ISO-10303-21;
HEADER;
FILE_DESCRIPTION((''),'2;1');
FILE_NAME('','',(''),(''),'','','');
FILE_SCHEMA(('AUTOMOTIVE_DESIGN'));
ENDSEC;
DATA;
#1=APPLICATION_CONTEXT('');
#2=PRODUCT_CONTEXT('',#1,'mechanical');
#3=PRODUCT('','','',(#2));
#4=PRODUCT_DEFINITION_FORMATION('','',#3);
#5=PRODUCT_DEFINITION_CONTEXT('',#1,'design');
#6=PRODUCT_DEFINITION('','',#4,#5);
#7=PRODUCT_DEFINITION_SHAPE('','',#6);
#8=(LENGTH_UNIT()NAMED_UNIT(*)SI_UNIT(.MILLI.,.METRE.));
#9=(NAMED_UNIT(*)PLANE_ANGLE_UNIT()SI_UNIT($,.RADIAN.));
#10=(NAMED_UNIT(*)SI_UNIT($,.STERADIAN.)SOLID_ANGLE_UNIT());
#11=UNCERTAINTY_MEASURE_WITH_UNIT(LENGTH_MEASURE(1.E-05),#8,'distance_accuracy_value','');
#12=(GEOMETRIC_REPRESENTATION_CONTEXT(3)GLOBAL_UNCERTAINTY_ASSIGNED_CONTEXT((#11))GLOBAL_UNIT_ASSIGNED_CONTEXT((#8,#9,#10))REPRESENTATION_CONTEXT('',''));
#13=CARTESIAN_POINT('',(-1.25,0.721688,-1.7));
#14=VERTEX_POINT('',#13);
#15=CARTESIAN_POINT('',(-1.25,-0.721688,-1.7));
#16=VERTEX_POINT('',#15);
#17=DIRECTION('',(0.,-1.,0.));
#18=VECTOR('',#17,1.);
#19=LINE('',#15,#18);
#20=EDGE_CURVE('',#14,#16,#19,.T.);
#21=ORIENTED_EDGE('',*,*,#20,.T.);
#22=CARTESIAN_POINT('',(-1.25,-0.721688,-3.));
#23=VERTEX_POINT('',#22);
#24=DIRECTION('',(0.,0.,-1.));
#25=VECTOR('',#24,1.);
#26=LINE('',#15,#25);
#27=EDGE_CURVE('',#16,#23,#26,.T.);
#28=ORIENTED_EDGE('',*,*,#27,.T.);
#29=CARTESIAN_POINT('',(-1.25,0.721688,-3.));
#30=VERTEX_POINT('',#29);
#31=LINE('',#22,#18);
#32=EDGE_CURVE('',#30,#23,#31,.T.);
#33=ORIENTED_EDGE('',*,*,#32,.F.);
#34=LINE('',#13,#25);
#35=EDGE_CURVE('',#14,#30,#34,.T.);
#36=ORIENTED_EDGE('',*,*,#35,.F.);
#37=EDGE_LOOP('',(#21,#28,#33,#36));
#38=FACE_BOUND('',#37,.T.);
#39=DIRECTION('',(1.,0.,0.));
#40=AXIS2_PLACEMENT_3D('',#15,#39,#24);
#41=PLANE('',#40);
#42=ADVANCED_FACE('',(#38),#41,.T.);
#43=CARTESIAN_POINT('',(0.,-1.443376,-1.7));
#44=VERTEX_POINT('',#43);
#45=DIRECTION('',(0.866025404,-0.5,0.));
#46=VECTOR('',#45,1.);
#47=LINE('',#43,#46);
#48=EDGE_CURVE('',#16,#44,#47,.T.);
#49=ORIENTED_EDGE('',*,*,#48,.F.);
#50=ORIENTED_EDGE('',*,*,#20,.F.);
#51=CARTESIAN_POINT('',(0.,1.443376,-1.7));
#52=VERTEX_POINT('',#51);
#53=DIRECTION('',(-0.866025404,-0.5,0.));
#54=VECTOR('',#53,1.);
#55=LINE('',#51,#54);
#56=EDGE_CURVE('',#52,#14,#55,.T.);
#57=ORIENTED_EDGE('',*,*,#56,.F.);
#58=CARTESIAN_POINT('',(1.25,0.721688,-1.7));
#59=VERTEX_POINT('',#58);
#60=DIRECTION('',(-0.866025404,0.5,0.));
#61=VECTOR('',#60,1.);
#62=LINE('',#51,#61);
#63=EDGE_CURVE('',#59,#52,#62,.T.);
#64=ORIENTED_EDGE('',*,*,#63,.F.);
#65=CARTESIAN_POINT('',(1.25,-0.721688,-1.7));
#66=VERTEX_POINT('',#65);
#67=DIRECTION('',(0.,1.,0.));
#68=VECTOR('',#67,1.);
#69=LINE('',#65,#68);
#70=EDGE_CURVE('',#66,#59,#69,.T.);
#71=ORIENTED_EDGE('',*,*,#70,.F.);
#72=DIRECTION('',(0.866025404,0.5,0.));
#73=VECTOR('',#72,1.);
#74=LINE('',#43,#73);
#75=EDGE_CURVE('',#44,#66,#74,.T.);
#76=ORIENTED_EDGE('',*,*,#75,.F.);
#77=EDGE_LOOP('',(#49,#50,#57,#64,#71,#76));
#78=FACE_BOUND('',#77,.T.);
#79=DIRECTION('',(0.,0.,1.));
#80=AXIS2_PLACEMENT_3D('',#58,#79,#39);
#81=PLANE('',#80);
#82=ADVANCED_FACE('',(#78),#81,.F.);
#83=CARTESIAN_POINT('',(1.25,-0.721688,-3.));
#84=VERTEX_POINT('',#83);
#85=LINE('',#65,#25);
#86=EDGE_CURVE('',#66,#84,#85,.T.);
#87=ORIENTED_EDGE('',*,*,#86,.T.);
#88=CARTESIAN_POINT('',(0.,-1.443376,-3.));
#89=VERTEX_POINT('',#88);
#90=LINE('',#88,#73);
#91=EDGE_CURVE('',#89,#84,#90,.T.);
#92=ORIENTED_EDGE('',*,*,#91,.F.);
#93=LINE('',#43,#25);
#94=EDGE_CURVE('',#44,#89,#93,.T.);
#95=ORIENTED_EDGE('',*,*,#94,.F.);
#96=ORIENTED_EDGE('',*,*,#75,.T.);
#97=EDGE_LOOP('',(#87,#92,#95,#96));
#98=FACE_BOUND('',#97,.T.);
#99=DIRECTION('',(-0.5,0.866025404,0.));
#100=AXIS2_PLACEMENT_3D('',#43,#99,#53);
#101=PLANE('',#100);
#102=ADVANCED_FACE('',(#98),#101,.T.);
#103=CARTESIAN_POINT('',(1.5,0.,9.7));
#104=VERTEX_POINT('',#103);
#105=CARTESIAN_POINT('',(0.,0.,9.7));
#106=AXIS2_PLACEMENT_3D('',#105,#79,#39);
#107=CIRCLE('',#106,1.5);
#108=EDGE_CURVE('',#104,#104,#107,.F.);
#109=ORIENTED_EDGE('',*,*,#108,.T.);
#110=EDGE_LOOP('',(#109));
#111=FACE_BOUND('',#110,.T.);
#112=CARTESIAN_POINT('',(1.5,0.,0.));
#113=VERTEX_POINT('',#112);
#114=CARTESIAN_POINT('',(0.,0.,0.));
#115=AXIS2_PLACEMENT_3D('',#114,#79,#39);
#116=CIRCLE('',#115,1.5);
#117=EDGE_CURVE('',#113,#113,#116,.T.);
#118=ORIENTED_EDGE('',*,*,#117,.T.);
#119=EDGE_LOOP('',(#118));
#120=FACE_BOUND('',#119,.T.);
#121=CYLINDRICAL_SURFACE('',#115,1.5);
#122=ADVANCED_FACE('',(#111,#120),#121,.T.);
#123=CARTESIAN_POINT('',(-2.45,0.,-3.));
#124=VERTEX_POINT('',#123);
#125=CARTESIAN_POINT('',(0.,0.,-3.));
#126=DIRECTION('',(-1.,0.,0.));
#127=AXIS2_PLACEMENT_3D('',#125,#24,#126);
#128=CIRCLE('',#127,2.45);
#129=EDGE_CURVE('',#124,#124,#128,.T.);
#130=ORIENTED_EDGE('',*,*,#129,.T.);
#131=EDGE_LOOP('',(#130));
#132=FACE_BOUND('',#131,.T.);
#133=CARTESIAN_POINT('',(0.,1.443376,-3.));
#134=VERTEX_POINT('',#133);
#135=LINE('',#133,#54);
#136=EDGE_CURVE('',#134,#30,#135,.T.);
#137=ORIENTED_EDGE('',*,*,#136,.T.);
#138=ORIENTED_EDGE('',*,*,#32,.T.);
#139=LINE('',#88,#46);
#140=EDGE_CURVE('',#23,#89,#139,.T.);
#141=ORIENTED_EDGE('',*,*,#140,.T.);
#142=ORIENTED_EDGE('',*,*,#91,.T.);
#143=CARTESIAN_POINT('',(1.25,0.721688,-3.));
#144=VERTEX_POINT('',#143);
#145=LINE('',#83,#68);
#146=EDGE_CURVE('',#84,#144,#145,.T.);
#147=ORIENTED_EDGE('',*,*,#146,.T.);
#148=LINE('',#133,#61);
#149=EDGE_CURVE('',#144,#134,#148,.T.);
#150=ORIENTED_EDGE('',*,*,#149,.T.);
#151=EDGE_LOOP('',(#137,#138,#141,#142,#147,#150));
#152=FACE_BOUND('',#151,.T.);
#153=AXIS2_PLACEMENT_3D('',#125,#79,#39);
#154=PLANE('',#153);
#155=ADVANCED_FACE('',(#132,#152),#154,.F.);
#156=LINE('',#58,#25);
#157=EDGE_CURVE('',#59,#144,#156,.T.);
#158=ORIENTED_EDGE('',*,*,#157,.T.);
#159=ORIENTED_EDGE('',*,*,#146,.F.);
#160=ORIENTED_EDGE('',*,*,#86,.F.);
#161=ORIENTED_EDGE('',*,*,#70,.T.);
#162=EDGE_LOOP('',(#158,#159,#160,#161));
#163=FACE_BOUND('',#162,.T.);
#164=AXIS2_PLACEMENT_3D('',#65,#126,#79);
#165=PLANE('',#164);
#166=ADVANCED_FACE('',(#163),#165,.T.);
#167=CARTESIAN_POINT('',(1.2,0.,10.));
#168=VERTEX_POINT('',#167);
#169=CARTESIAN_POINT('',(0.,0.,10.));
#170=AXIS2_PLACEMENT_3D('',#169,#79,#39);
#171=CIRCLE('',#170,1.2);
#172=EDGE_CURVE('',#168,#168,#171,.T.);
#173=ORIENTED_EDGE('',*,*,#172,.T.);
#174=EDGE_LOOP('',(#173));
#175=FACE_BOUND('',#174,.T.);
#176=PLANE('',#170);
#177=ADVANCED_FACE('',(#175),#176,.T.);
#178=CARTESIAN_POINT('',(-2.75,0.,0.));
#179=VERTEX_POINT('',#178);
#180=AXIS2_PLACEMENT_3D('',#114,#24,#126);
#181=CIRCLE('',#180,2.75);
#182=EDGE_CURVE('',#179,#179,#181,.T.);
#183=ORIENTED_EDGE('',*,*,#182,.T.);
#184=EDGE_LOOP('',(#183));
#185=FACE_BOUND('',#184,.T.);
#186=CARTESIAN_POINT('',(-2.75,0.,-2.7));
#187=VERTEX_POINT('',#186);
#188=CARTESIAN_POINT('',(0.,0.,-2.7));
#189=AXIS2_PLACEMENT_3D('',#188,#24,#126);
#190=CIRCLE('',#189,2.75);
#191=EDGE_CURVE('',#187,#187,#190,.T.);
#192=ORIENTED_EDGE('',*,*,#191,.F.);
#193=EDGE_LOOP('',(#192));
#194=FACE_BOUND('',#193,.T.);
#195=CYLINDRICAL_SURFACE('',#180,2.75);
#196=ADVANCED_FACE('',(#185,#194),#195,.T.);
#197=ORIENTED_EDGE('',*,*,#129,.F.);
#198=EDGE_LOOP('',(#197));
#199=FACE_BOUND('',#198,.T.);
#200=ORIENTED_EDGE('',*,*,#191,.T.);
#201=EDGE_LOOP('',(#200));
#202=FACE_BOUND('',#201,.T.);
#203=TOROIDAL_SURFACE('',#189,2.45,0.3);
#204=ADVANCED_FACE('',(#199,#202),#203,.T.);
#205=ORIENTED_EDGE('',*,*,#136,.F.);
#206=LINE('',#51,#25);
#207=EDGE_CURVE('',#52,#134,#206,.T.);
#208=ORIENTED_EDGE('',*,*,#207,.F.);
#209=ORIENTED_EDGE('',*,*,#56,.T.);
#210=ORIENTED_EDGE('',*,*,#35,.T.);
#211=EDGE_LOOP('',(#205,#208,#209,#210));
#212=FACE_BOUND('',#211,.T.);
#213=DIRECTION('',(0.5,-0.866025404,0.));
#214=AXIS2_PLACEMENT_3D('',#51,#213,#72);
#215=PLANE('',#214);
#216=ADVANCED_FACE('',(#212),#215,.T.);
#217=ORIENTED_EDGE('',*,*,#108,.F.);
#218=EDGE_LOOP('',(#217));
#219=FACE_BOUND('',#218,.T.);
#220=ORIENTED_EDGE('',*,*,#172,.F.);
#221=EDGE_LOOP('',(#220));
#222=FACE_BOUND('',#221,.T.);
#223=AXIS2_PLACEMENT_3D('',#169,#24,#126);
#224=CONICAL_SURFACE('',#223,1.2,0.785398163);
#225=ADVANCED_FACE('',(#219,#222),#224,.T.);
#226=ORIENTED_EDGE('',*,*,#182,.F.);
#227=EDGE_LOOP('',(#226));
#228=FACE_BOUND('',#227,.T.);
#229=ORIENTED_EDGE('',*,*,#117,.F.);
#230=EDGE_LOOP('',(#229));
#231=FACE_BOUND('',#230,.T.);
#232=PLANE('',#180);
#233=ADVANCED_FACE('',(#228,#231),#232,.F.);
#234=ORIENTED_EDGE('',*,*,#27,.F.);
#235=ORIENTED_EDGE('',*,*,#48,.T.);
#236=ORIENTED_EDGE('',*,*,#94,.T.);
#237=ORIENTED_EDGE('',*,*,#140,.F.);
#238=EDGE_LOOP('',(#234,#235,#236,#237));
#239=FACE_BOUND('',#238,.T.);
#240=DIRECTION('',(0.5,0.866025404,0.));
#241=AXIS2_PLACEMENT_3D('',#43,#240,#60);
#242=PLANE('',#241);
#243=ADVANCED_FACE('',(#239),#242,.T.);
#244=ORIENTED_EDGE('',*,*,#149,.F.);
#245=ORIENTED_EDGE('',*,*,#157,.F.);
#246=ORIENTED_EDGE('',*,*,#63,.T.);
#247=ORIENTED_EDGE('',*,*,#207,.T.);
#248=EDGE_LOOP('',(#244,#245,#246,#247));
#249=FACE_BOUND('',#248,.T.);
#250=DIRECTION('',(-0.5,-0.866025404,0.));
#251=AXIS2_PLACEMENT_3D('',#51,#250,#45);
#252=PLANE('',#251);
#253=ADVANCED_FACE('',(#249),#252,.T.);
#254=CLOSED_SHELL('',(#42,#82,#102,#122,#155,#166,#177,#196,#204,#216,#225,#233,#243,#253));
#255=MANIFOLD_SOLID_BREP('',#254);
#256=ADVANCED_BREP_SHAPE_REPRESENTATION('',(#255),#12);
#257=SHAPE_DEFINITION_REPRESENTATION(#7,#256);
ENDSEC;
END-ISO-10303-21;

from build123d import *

# Parameters (mm, degrees)
ENLEV_MAT_EXTRU1_DEPTH = 1.3
ESQUISSE3_W            = 1.5
ESQUISSE3_H            = 10
CHANFREIN1_SIZE        = 0.3


with BuildPart() as part:
    # Esquisse1 → Base-Révolution (revolve)
    with BuildSketch(Plane(origin=(0, 0, 0), x_dir=(1, 0, 0), z_dir=(0, 1, 0))):
        with BuildLine():
            Line((0, 0), (2.75, 0))
            Line((2.75, 0), (2.75, 2.7))
            ThreePointArc((2.75, 2.7), (2.662132034, 2.912132034), (2.45, 3))
            Line((2.45, 3), (0, 3))
            Line((0, 3), (0, 0))
        make_face()
    revolve(axis=Axis((0, 0, 0), (0, 0, -1)))

    # Esquisse2 → enlev-mat-Extru1 (cut)
    with BuildSketch(Plane.XY.offset(-3)):
        Polygon((1.25, -0.721687836), (1.25, 0.721687836), (0, 1.443375673), (-1.25, 0.721687836), (-1.25, -0.721687836), (0, -1.443375673), align=None)
    extrude(amount=ENLEV_MAT_EXTRU1_DEPTH, mode=Mode.SUBTRACT)

    # Esquisse3 → Boss.-Révol.1 (revolve)
    with BuildSketch(Plane(origin=(0, 0, 0), x_dir=(1, 0, 0), z_dir=(0, 1, 0))):
        with Locations((0.75, -5)):
            Rectangle(ESQUISSE3_W, ESQUISSE3_H)
    revolve(axis=Axis((0, 0, 0), (0, 0, 1)))

    # Chanfrein1
    chanfrein1_edges = [part.edges().sort_by_distance(p)[0] for p in [
        (-1.5, 0, 10),
    ]]
    chamfer(chanfrein1_edges, length=CHANFREIN1_SIZE)


solid = part.part
